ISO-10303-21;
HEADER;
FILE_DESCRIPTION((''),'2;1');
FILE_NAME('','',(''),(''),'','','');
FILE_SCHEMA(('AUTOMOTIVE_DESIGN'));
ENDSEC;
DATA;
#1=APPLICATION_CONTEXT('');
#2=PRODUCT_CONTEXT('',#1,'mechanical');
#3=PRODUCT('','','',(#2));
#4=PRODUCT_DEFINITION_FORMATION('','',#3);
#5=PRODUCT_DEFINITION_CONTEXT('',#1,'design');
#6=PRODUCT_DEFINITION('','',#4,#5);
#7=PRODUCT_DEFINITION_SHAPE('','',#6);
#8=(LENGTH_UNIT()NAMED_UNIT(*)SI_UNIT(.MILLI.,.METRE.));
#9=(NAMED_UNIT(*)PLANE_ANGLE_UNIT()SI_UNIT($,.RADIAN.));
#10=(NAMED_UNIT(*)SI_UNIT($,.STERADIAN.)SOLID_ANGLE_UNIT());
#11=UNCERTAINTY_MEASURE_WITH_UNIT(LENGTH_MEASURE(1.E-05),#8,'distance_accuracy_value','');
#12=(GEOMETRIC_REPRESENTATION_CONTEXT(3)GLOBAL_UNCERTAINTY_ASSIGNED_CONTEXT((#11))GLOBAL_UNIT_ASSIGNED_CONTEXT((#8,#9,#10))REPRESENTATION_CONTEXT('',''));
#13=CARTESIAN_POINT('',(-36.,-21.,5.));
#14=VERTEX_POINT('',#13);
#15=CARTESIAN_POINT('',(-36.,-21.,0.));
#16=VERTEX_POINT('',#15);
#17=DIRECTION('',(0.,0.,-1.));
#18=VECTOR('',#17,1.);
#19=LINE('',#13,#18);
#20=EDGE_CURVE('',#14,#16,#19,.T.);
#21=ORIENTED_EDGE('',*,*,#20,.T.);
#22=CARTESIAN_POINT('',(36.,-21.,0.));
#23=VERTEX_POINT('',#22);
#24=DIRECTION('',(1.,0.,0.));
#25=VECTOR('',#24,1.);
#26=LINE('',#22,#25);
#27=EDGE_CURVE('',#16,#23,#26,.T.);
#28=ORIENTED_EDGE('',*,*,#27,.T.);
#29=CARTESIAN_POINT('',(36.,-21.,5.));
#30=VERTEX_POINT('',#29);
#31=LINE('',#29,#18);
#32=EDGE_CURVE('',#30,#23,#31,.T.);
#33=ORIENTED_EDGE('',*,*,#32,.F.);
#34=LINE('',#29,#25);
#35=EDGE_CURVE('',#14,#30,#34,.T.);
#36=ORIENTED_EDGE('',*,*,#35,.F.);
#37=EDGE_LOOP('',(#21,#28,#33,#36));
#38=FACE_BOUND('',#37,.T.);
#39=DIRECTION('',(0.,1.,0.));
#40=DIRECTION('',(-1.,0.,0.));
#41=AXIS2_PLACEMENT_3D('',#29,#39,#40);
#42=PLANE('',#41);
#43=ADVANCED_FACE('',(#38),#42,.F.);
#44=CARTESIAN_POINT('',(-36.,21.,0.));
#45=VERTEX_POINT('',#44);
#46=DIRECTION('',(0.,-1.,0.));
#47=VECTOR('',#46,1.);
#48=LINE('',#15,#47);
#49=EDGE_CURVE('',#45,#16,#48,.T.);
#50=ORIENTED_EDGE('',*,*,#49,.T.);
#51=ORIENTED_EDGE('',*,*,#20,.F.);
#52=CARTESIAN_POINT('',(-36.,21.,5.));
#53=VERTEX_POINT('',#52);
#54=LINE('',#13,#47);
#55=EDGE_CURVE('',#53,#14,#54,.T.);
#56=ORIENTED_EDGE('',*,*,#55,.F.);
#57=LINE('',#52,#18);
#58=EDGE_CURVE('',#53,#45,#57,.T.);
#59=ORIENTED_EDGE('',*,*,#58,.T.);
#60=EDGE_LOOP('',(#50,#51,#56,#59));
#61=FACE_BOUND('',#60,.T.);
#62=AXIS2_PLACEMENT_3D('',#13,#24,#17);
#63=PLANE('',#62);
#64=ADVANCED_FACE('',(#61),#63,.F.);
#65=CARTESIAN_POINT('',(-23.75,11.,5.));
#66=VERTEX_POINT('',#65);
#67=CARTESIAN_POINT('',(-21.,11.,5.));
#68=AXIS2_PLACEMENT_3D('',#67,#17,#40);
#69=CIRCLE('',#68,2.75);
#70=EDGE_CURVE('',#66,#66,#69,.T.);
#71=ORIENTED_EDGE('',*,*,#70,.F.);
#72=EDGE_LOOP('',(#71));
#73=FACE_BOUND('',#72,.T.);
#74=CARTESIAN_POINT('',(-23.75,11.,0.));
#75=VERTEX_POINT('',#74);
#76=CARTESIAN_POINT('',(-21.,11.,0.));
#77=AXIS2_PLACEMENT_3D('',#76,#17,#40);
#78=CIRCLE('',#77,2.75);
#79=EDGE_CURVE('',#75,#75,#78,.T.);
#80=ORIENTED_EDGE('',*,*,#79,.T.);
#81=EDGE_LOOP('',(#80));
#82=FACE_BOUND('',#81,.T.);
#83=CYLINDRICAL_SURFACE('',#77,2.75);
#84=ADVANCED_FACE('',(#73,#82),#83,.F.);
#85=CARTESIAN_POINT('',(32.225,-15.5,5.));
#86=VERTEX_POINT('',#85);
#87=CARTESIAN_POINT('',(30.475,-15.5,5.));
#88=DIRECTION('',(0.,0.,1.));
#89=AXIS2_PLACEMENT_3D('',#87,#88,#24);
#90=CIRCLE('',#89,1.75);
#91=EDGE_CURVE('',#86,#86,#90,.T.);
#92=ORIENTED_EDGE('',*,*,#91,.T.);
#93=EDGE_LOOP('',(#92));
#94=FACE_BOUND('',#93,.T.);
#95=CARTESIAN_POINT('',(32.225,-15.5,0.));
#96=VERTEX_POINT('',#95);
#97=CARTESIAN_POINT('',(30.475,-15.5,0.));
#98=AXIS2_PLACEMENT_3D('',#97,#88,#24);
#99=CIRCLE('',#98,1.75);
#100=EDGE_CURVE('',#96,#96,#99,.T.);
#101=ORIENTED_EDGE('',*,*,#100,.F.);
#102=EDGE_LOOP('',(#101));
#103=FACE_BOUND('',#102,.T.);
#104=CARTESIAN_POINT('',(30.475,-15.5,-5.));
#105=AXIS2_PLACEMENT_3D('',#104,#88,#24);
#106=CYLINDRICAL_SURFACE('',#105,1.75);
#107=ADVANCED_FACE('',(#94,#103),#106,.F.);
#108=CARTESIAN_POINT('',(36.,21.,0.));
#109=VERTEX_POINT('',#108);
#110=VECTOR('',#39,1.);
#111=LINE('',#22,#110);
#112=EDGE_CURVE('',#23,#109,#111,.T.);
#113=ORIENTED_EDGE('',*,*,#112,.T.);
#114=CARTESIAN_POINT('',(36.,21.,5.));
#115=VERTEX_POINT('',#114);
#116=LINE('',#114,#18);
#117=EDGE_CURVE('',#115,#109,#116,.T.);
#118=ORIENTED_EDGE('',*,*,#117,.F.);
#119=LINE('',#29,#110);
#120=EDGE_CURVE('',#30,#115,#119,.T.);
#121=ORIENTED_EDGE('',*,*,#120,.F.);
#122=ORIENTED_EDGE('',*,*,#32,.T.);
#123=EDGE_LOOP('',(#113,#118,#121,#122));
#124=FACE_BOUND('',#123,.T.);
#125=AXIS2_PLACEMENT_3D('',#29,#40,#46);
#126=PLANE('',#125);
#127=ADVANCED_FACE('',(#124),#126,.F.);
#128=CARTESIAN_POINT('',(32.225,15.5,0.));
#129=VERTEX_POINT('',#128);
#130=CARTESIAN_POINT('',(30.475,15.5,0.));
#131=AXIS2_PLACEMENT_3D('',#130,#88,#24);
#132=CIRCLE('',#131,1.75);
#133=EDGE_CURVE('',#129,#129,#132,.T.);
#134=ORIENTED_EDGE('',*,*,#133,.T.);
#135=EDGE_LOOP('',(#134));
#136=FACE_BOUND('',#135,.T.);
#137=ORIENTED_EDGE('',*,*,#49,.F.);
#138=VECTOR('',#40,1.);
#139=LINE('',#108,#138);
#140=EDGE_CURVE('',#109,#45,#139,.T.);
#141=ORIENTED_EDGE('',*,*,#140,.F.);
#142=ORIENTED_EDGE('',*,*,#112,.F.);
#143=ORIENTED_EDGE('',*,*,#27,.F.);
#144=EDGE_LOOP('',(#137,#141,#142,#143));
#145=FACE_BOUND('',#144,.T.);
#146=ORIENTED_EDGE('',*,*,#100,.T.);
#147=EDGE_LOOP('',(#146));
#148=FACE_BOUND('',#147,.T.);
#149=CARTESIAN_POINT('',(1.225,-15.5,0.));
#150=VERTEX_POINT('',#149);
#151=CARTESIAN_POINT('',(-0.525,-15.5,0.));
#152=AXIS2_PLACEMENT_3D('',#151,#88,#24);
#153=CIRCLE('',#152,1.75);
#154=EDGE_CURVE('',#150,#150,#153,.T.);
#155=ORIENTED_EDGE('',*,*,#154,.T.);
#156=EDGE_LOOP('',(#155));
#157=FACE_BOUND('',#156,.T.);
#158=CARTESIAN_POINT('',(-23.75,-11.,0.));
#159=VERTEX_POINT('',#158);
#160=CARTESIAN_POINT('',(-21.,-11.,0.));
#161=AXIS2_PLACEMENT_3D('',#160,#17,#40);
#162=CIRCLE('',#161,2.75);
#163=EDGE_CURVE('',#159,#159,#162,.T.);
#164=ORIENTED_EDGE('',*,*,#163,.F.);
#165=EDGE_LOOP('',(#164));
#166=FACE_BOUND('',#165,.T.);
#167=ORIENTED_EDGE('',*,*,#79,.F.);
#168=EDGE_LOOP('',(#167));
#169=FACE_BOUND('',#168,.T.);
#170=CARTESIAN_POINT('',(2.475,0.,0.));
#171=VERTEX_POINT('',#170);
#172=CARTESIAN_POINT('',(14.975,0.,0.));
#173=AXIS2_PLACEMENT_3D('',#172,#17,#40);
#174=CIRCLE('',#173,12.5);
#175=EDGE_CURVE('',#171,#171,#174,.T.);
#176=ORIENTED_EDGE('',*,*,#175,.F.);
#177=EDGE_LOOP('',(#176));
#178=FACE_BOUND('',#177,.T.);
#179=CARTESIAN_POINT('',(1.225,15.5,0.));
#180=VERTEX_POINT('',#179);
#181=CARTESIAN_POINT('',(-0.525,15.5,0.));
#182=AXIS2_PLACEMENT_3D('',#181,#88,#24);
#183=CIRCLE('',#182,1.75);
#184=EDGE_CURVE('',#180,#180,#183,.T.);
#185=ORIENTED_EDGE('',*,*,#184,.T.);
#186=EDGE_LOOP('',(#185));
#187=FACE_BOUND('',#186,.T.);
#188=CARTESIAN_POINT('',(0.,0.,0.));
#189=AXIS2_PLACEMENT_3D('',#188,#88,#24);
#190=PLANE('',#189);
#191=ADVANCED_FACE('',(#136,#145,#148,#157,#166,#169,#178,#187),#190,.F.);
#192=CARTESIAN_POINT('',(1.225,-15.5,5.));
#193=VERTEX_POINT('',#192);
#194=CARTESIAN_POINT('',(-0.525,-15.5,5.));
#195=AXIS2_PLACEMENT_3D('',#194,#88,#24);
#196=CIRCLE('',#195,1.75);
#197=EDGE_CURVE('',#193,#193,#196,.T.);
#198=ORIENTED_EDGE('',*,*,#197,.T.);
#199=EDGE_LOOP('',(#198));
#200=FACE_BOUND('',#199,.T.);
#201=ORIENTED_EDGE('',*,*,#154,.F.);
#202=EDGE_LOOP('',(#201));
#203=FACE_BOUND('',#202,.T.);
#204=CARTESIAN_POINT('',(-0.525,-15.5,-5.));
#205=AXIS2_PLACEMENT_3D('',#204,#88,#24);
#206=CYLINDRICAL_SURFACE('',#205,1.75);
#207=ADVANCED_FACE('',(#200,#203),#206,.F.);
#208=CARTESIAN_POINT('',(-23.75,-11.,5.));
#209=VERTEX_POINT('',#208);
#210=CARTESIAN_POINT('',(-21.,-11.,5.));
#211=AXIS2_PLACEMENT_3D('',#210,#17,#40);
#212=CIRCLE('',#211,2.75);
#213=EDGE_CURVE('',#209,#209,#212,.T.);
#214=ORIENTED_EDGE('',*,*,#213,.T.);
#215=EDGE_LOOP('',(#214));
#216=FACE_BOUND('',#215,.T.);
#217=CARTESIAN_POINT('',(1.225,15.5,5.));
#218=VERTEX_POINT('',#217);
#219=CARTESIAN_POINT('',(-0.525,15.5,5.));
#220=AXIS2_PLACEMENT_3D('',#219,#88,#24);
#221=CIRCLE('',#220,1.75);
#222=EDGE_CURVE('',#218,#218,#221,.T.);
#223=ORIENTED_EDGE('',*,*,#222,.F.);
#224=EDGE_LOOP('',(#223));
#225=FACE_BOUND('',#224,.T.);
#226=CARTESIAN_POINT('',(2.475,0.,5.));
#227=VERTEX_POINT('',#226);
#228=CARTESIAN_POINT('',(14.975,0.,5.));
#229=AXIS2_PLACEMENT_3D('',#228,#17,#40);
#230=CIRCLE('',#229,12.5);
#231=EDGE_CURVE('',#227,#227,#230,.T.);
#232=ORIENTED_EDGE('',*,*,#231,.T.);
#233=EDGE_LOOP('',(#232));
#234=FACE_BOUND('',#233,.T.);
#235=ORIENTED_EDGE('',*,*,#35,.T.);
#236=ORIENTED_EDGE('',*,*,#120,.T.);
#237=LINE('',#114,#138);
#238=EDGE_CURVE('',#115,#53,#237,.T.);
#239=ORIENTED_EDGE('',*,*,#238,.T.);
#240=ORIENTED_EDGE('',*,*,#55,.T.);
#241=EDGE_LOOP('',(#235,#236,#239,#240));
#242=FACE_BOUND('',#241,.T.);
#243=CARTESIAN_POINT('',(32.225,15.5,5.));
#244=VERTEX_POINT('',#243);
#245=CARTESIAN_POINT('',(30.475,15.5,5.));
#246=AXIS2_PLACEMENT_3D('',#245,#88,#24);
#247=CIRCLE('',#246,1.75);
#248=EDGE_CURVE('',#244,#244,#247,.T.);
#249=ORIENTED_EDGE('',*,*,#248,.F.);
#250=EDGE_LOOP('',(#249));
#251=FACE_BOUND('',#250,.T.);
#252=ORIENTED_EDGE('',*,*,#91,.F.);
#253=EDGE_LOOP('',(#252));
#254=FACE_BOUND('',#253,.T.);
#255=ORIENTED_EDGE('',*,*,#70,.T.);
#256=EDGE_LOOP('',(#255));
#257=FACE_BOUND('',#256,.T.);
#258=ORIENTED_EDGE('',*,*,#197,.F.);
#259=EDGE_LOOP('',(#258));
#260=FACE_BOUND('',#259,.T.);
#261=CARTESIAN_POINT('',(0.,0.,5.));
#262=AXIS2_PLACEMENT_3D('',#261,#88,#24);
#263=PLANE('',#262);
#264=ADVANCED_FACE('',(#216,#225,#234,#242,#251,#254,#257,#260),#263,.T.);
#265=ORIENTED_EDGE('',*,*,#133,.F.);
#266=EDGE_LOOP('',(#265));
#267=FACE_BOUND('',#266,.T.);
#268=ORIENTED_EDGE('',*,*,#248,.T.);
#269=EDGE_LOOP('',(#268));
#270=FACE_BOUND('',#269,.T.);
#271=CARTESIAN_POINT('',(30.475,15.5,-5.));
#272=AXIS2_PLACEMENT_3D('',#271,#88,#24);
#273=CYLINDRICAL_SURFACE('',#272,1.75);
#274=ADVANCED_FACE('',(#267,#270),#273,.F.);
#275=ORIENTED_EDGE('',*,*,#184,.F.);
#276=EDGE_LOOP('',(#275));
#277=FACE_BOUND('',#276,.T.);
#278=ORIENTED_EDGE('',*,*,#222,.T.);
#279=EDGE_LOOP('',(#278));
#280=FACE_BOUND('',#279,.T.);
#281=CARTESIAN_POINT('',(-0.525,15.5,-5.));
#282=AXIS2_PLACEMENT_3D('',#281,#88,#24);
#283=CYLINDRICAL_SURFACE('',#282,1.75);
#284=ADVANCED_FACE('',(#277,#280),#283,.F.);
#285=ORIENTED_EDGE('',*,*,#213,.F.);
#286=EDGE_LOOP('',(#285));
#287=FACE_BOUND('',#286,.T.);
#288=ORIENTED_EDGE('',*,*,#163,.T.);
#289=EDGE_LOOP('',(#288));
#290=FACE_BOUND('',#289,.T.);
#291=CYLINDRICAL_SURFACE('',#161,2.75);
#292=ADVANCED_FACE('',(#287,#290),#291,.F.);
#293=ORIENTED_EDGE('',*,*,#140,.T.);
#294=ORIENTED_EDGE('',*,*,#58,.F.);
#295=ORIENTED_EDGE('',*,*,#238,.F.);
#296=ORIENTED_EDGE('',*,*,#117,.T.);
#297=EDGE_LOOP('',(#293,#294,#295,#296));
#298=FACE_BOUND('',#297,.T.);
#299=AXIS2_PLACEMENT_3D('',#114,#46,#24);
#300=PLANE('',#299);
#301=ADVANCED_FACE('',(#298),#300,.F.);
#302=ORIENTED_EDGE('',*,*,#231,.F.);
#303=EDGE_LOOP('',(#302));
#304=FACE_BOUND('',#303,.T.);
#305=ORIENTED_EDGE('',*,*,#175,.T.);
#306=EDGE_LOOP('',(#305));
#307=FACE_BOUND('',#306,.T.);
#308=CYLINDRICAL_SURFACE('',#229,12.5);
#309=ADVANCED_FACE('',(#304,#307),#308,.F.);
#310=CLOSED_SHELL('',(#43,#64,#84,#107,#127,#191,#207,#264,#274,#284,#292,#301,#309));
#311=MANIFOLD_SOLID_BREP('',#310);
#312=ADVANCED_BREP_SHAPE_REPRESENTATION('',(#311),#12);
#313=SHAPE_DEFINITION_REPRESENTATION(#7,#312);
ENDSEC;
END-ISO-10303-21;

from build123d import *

# Parameters (mm, degrees)
SKETCH1_W           = 72
SKETCH1_H           = 42
BOSS_EXTRUDE1_DEPTH = 5
SKETCH2_R           = 1.75
CUT_EXTRUDE1_DEPTH  = 10
D_GAGEMENT_M51_D    = 5.5
SKETCH6_R           = 12.5
CUT_EXTRUDE2_DEPTH  = 42.976183724


with BuildPart() as part:
    # Sketch1 → Boss-Extrude1 (new body)
    with BuildSketch(Plane.XY):
        Rectangle(SKETCH1_W, SKETCH1_H)
    extrude(amount=BOSS_EXTRUDE1_DEPTH)

    # Sketch2 → Cut-Extrude1 (cut)
    with BuildSketch(Plane.XY.offset(5)):
        with Locations((30.475, 15.5)):
            Circle(SKETCH2_R)
        with Locations((30.475, -15.5)):
            Circle(SKETCH2_R)
        with Locations((-0.525, -15.5)):
            Circle(SKETCH2_R)
        with Locations((-0.525, 15.5)):
            Circle(SKETCH2_R)
    extrude(amount=-CUT_EXTRUDE1_DEPTH, mode=Mode.SUBTRACT)

    # Dégagement M51 (through all)
    with Locations(Plane(origin=(0, 0, 0), x_dir=(-1, 0, 0), z_dir=(0, 0, -1))):
        with Locations((21, 11), (21, -11)):
            Hole(D_GAGEMENT_M51_D / 2)

    # Sketch6 → Cut-Extrude2 (cut, through all)
    with BuildSketch(Plane(origin=(0, 0, 0), x_dir=(-1, 0, 0), z_dir=(0, 0, -1))):
        with Locations((-14.975, 0)):
            Circle(SKETCH6_R)
    extrude(amount=-CUT_EXTRUDE2_DEPTH, mode=Mode.SUBTRACT)


solid = part.part
